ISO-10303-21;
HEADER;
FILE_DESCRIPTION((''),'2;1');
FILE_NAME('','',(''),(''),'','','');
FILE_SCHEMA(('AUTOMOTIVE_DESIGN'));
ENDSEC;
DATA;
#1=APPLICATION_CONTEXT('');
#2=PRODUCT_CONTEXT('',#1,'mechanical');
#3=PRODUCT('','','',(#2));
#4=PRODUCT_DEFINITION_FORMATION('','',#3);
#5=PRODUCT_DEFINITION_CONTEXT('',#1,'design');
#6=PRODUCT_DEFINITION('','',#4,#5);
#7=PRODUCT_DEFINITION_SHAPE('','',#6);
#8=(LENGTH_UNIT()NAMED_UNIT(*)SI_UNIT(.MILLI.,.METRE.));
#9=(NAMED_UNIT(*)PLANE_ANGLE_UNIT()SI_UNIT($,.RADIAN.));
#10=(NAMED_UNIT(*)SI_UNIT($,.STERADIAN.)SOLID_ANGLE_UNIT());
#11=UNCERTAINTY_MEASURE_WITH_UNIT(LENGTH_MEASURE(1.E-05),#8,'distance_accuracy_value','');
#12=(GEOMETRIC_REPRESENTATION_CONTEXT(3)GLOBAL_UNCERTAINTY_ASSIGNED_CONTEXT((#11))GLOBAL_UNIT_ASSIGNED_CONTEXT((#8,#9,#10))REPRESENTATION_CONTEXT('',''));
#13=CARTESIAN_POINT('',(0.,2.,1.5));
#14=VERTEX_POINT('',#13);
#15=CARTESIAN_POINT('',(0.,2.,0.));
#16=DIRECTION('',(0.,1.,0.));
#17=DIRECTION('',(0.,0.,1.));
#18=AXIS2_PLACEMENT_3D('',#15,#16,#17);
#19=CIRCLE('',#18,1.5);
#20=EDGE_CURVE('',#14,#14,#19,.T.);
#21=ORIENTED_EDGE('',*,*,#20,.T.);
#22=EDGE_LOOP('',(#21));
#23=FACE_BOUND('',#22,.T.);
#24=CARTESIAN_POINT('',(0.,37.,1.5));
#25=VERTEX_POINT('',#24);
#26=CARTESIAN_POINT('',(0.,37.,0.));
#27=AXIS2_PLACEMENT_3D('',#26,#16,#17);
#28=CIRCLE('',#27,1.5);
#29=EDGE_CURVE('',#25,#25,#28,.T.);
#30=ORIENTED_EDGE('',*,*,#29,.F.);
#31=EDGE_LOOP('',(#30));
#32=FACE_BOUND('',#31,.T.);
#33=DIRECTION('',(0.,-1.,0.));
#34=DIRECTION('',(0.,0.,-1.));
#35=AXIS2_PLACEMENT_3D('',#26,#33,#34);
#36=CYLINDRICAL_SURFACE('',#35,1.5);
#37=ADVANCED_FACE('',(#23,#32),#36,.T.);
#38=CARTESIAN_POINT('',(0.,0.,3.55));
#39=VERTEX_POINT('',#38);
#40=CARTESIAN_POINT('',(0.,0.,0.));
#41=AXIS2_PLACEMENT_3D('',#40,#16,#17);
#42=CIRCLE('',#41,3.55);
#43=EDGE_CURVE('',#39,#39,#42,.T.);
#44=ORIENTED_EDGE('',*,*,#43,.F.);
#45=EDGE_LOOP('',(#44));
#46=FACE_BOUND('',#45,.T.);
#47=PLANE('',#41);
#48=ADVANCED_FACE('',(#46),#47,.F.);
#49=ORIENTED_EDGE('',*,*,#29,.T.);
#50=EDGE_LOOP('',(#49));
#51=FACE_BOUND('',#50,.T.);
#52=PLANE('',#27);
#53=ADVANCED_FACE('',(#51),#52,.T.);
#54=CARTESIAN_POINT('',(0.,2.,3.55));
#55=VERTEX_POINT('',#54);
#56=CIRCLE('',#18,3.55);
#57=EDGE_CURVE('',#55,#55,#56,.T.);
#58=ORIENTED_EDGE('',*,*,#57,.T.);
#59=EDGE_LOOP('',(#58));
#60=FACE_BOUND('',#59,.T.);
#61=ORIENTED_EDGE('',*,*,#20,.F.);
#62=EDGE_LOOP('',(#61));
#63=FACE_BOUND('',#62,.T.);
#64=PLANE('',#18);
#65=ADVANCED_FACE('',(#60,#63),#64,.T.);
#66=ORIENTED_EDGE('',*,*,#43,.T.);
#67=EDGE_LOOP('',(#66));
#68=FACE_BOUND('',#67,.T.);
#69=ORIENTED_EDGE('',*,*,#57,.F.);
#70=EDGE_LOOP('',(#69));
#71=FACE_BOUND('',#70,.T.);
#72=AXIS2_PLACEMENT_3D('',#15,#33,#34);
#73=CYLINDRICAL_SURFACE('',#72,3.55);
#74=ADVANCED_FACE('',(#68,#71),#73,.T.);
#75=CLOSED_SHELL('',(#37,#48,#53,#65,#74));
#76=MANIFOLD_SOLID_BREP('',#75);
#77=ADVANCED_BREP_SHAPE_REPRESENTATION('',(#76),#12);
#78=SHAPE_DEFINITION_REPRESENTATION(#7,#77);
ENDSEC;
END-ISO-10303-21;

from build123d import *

# Parameters (mm, degrees)
SKETCH_1_R      = 3.55
EXTRUDE_1_DEPTH = 2
SKETCH_2_R      = 1.5
EXTRUDE_2_DEPTH = 35


with BuildPart() as part:
    # 草图1 → 凸台-拉伸1 (new body)
    with BuildSketch(Plane(origin=(0, 0, 0), x_dir=(1, 0, 0), z_dir=(0, 1, 0))):
        Circle(SKETCH_1_R)
    extrude(amount=EXTRUDE_1_DEPTH)

    # 草图2 → 凸台-拉伸2 (add)
    with BuildSketch(Plane(origin=(0, 2, 0), x_dir=(1, 0, 0), z_dir=(0, 1, 0))):
        Circle(SKETCH_2_R)
    extrude(amount=EXTRUDE_2_DEPTH)


solid = part.part
